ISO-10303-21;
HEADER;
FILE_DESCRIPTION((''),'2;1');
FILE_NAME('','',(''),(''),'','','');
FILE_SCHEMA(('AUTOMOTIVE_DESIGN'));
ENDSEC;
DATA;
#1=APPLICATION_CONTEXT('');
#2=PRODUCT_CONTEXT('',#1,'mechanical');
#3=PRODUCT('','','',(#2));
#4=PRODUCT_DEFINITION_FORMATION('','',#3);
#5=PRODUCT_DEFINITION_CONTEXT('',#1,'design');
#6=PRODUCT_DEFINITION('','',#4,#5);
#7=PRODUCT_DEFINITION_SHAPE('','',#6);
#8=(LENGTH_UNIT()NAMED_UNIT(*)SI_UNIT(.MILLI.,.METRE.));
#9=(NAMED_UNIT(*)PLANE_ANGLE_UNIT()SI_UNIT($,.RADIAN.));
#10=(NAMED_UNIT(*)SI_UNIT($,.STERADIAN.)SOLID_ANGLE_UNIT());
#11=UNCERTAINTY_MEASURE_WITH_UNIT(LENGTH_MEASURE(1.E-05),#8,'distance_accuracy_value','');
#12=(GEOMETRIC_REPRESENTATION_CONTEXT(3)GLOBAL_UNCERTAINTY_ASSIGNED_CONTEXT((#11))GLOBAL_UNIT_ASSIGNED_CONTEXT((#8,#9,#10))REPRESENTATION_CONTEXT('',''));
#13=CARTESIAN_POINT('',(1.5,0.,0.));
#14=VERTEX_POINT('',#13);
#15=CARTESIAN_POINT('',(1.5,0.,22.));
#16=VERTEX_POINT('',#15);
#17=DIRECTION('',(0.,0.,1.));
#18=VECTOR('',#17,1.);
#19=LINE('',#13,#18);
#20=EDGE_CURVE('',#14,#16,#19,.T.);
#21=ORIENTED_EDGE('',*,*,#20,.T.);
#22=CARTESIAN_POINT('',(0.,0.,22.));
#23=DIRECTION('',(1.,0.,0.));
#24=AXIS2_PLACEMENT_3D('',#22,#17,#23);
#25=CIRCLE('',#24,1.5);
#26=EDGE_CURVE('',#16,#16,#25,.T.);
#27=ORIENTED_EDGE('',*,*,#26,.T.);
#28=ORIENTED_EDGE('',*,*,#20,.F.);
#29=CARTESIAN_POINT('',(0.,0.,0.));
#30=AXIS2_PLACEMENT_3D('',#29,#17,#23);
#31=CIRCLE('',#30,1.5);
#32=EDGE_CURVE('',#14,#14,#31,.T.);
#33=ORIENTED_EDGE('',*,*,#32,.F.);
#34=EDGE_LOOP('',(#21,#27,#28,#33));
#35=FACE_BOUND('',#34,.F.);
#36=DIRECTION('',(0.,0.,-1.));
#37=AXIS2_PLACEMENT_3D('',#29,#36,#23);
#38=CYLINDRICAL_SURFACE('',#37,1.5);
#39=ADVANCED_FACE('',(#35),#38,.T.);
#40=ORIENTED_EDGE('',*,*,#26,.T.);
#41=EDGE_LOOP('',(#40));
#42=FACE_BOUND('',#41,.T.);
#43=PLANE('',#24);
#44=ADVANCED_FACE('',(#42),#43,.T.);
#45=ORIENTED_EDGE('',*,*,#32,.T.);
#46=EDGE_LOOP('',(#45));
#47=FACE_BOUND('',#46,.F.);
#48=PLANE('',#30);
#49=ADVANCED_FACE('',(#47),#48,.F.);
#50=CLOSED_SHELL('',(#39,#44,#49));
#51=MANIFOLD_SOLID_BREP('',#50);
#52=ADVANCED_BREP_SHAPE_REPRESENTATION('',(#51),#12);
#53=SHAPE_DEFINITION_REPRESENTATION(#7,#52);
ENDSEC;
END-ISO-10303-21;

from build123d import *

# Parameters (mm, degrees)
SKETCH_1_R      = 1.5
EXTRUDE_1_DEPTH = 22


with BuildPart() as part:
    # 草图1 → 凸台-拉伸1 (new body)
    with BuildSketch(Plane.XY):
        Circle(SKETCH_1_R)
    extrude(amount=EXTRUDE_1_DEPTH)


solid = part.part
